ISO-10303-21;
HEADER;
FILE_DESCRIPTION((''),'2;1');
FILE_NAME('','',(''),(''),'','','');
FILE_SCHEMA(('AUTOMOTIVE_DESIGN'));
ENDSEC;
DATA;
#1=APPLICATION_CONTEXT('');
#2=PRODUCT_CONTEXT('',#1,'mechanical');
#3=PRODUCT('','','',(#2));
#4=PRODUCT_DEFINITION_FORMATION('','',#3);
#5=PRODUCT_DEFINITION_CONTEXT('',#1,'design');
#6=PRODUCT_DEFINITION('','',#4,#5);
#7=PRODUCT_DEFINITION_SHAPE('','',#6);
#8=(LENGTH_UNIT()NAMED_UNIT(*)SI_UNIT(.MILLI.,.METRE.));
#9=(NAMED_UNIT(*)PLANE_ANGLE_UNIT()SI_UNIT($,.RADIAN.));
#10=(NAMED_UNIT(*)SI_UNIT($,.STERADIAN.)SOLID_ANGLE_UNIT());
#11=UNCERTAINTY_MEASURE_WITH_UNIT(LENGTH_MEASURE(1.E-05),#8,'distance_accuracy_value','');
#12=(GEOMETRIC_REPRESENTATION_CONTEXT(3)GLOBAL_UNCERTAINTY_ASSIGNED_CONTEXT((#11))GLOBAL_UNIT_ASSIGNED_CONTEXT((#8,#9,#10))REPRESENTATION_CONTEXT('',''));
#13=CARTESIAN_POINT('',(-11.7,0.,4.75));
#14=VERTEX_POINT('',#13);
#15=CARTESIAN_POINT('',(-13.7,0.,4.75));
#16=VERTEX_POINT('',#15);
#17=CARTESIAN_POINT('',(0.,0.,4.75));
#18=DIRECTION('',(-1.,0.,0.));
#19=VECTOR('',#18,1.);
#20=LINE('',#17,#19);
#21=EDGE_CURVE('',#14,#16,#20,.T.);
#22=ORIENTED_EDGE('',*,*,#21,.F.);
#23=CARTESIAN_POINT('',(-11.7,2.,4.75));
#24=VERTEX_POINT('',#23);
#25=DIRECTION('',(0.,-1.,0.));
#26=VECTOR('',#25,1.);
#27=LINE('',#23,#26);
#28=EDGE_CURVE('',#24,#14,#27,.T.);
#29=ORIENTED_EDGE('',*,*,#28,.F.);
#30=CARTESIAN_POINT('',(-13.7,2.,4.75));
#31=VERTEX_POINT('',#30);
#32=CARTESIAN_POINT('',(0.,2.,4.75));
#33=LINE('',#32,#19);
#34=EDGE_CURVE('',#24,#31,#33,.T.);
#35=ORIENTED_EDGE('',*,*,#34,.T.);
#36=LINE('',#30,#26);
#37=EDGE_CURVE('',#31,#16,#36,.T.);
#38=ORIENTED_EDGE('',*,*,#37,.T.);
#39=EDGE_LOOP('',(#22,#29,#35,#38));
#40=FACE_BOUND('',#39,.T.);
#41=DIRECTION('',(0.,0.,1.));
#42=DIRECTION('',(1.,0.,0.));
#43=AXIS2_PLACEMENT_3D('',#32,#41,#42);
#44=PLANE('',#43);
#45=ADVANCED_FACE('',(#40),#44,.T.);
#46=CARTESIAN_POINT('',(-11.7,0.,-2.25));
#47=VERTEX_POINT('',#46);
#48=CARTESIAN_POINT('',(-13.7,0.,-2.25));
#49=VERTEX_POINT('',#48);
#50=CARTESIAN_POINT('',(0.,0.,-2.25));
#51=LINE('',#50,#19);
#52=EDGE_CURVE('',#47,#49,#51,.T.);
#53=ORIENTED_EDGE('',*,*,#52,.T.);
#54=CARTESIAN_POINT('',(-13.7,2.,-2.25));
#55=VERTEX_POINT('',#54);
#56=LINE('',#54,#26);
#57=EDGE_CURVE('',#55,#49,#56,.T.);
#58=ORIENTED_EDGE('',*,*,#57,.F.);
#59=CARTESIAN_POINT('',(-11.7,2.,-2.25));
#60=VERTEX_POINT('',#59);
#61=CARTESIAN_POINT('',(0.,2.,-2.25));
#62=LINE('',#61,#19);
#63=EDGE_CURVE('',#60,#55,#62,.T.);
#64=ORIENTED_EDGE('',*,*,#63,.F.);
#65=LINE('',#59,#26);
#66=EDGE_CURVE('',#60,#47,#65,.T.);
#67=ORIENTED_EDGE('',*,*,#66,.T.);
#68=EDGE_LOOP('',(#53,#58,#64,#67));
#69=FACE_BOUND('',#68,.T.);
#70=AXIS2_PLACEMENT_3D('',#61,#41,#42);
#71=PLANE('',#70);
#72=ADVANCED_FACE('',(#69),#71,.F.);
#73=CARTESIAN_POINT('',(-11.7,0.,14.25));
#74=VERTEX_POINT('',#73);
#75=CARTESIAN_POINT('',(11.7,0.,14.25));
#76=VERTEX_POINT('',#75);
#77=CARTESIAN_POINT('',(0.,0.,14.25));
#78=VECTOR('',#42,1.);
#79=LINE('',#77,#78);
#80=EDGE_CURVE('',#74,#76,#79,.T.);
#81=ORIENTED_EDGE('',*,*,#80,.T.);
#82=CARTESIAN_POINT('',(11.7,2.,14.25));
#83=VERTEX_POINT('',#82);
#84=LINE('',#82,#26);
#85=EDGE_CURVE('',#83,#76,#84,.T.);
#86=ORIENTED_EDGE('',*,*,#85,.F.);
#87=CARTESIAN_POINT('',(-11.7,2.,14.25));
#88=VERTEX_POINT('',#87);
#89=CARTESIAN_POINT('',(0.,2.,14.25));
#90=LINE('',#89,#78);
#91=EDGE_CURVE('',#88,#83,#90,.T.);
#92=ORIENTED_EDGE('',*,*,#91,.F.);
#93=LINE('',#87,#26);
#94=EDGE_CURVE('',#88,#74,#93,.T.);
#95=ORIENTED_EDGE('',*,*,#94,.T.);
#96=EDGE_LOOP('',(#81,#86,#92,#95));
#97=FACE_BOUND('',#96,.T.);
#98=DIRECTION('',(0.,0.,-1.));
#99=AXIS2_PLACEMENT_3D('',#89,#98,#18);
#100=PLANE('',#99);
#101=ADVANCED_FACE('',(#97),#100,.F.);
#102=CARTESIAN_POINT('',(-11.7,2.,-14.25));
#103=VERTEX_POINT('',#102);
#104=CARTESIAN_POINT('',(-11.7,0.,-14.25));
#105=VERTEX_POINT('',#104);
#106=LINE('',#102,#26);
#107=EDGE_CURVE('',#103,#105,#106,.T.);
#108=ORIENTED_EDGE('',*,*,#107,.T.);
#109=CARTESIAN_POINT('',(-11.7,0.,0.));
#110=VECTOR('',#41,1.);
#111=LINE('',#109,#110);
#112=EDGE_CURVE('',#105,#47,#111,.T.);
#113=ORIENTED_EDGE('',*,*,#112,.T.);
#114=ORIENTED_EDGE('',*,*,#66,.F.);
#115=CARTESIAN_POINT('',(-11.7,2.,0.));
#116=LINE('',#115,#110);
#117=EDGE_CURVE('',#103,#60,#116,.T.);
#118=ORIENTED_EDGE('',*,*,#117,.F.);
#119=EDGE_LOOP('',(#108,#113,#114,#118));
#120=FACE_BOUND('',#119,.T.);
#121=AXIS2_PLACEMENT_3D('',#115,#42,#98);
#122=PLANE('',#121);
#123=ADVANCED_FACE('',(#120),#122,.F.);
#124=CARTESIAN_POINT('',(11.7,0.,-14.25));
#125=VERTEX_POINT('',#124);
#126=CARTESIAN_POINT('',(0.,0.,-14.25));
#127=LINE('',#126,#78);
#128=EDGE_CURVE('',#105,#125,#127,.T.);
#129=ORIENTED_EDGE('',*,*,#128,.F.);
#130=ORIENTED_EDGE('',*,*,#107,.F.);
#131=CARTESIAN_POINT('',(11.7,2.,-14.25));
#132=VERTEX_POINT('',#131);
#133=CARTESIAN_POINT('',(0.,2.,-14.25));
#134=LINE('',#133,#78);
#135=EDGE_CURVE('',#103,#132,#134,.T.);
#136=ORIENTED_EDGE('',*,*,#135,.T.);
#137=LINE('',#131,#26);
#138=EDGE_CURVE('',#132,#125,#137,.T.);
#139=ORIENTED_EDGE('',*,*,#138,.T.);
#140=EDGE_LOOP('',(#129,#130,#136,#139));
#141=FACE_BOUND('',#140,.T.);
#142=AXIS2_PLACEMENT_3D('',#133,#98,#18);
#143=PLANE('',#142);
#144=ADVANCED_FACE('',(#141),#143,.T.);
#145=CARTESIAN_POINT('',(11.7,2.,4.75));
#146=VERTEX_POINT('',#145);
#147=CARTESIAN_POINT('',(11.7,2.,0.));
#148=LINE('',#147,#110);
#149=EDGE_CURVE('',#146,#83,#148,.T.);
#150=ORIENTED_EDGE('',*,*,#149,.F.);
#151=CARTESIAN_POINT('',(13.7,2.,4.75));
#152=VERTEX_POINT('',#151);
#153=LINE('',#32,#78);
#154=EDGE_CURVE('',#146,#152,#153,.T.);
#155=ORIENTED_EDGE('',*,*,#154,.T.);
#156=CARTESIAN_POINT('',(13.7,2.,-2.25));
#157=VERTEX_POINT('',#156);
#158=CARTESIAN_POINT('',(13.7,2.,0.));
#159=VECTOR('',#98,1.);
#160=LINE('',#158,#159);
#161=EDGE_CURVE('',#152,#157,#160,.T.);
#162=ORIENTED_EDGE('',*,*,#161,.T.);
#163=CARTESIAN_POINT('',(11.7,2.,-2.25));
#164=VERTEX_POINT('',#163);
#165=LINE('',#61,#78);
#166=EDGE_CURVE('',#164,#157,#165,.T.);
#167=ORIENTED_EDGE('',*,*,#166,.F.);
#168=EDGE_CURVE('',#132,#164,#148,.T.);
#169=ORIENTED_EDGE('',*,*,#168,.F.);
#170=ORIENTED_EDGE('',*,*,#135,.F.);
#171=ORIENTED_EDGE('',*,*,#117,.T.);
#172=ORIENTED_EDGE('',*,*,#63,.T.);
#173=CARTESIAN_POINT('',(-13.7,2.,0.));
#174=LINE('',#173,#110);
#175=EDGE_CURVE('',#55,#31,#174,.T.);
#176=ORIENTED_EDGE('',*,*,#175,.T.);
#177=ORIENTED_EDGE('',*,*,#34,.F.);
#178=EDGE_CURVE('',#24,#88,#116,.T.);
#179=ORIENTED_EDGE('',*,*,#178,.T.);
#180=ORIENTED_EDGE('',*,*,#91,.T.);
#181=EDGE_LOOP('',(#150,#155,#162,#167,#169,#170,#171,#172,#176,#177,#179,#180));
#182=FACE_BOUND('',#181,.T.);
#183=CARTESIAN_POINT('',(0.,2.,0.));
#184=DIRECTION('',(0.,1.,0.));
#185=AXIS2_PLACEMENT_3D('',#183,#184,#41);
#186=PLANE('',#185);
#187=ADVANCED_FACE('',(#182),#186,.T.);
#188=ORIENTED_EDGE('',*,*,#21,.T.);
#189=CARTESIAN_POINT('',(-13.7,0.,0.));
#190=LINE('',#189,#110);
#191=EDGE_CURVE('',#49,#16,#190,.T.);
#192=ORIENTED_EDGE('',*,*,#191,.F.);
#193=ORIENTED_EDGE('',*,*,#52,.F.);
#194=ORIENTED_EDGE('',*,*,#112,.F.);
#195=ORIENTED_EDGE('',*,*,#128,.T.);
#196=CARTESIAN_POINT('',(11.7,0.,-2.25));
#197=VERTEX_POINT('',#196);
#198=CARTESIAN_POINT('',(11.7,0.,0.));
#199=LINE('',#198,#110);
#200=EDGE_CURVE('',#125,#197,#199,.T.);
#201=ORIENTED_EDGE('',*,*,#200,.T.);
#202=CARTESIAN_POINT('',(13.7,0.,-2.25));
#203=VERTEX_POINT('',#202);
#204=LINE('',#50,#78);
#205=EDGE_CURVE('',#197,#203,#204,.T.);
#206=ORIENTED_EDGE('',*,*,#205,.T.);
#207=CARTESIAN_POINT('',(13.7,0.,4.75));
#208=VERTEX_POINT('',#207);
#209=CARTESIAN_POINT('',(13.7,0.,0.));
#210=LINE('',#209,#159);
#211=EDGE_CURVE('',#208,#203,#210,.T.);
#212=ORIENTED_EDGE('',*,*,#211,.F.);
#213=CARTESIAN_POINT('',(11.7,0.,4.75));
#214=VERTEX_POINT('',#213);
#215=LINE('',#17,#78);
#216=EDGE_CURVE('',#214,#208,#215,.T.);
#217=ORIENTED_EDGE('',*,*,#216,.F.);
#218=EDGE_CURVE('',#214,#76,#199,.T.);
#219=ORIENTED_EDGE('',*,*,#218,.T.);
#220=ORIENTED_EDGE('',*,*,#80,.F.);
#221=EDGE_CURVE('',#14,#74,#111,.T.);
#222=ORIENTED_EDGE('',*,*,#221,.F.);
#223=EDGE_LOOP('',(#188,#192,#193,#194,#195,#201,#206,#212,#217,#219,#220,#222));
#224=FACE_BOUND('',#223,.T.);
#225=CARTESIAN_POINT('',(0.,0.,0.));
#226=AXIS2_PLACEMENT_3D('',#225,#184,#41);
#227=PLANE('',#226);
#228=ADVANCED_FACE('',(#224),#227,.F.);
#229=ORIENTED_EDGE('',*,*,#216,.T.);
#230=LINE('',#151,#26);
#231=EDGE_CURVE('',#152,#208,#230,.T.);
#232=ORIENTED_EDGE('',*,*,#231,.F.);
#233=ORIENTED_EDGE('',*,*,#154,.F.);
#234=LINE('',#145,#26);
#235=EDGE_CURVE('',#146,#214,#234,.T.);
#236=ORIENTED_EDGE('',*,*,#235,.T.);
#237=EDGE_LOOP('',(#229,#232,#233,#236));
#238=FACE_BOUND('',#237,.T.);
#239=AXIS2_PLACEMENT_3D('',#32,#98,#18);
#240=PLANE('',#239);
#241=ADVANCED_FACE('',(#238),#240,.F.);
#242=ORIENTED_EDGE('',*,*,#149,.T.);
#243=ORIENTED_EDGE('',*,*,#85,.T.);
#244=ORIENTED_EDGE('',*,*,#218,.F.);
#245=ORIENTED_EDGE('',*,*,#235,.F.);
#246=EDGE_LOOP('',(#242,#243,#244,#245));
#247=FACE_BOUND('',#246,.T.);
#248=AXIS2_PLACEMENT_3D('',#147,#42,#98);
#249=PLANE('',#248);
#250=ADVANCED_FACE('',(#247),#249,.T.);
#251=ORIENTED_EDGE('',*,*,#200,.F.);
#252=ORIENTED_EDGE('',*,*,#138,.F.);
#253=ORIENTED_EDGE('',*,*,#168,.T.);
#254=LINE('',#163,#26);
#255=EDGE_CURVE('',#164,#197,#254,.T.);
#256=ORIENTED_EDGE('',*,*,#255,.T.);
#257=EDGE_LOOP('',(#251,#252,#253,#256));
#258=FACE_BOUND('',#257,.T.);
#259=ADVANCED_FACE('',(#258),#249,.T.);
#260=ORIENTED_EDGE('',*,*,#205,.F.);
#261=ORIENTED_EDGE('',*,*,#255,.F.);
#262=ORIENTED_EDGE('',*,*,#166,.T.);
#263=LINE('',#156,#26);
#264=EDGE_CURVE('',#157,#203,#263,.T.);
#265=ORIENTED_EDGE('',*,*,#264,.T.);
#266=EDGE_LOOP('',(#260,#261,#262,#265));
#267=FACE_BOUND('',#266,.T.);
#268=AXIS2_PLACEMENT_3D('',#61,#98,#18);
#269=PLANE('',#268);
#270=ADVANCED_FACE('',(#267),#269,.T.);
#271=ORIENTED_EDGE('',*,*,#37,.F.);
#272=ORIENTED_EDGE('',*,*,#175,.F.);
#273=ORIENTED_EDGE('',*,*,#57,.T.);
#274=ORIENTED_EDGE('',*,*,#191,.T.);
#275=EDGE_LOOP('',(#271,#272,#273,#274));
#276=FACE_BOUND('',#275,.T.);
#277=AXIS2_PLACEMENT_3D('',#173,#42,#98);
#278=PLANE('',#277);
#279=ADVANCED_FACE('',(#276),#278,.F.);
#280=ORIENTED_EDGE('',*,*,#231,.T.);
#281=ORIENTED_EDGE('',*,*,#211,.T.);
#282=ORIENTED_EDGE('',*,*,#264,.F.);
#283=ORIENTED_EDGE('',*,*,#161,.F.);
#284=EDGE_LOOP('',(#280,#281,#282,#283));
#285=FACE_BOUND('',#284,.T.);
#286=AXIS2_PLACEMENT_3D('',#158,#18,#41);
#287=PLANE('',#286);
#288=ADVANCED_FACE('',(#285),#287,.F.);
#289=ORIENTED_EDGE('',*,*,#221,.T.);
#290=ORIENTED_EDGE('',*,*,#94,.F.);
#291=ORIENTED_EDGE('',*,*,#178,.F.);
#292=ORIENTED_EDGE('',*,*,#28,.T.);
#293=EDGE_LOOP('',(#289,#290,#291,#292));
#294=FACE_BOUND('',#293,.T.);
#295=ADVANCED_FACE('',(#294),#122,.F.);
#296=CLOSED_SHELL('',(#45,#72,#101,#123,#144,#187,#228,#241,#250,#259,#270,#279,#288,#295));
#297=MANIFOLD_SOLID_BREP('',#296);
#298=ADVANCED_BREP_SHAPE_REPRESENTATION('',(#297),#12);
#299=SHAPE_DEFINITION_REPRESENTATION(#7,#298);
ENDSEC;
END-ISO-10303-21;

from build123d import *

# Parameters (mm, degrees)
SKETCH1_W           = 23.4
SKETCH1_H           = 28.5
SKETCH1_W_2         = 2
SKETCH1_H_2         = 7
BOSS_EXTRUDE1_DEPTH = 2


with BuildPart() as part:
    # Sketch1 → Boss-Extrude1 (new body)
    with BuildSketch(Plane(origin=(0, 0, 0), x_dir=(1, 0, 0), z_dir=(0, 1, 0))):
        Rectangle(SKETCH1_W, SKETCH1_H)
        with Locations((-12.7, -1.25)):
            Rectangle(SKETCH1_W_2, SKETCH1_H_2)
        with Locations((12.7, -1.25)):
            Rectangle(SKETCH1_W_2, SKETCH1_H_2)
    extrude(amount=BOSS_EXTRUDE1_DEPTH)


solid = part.part
